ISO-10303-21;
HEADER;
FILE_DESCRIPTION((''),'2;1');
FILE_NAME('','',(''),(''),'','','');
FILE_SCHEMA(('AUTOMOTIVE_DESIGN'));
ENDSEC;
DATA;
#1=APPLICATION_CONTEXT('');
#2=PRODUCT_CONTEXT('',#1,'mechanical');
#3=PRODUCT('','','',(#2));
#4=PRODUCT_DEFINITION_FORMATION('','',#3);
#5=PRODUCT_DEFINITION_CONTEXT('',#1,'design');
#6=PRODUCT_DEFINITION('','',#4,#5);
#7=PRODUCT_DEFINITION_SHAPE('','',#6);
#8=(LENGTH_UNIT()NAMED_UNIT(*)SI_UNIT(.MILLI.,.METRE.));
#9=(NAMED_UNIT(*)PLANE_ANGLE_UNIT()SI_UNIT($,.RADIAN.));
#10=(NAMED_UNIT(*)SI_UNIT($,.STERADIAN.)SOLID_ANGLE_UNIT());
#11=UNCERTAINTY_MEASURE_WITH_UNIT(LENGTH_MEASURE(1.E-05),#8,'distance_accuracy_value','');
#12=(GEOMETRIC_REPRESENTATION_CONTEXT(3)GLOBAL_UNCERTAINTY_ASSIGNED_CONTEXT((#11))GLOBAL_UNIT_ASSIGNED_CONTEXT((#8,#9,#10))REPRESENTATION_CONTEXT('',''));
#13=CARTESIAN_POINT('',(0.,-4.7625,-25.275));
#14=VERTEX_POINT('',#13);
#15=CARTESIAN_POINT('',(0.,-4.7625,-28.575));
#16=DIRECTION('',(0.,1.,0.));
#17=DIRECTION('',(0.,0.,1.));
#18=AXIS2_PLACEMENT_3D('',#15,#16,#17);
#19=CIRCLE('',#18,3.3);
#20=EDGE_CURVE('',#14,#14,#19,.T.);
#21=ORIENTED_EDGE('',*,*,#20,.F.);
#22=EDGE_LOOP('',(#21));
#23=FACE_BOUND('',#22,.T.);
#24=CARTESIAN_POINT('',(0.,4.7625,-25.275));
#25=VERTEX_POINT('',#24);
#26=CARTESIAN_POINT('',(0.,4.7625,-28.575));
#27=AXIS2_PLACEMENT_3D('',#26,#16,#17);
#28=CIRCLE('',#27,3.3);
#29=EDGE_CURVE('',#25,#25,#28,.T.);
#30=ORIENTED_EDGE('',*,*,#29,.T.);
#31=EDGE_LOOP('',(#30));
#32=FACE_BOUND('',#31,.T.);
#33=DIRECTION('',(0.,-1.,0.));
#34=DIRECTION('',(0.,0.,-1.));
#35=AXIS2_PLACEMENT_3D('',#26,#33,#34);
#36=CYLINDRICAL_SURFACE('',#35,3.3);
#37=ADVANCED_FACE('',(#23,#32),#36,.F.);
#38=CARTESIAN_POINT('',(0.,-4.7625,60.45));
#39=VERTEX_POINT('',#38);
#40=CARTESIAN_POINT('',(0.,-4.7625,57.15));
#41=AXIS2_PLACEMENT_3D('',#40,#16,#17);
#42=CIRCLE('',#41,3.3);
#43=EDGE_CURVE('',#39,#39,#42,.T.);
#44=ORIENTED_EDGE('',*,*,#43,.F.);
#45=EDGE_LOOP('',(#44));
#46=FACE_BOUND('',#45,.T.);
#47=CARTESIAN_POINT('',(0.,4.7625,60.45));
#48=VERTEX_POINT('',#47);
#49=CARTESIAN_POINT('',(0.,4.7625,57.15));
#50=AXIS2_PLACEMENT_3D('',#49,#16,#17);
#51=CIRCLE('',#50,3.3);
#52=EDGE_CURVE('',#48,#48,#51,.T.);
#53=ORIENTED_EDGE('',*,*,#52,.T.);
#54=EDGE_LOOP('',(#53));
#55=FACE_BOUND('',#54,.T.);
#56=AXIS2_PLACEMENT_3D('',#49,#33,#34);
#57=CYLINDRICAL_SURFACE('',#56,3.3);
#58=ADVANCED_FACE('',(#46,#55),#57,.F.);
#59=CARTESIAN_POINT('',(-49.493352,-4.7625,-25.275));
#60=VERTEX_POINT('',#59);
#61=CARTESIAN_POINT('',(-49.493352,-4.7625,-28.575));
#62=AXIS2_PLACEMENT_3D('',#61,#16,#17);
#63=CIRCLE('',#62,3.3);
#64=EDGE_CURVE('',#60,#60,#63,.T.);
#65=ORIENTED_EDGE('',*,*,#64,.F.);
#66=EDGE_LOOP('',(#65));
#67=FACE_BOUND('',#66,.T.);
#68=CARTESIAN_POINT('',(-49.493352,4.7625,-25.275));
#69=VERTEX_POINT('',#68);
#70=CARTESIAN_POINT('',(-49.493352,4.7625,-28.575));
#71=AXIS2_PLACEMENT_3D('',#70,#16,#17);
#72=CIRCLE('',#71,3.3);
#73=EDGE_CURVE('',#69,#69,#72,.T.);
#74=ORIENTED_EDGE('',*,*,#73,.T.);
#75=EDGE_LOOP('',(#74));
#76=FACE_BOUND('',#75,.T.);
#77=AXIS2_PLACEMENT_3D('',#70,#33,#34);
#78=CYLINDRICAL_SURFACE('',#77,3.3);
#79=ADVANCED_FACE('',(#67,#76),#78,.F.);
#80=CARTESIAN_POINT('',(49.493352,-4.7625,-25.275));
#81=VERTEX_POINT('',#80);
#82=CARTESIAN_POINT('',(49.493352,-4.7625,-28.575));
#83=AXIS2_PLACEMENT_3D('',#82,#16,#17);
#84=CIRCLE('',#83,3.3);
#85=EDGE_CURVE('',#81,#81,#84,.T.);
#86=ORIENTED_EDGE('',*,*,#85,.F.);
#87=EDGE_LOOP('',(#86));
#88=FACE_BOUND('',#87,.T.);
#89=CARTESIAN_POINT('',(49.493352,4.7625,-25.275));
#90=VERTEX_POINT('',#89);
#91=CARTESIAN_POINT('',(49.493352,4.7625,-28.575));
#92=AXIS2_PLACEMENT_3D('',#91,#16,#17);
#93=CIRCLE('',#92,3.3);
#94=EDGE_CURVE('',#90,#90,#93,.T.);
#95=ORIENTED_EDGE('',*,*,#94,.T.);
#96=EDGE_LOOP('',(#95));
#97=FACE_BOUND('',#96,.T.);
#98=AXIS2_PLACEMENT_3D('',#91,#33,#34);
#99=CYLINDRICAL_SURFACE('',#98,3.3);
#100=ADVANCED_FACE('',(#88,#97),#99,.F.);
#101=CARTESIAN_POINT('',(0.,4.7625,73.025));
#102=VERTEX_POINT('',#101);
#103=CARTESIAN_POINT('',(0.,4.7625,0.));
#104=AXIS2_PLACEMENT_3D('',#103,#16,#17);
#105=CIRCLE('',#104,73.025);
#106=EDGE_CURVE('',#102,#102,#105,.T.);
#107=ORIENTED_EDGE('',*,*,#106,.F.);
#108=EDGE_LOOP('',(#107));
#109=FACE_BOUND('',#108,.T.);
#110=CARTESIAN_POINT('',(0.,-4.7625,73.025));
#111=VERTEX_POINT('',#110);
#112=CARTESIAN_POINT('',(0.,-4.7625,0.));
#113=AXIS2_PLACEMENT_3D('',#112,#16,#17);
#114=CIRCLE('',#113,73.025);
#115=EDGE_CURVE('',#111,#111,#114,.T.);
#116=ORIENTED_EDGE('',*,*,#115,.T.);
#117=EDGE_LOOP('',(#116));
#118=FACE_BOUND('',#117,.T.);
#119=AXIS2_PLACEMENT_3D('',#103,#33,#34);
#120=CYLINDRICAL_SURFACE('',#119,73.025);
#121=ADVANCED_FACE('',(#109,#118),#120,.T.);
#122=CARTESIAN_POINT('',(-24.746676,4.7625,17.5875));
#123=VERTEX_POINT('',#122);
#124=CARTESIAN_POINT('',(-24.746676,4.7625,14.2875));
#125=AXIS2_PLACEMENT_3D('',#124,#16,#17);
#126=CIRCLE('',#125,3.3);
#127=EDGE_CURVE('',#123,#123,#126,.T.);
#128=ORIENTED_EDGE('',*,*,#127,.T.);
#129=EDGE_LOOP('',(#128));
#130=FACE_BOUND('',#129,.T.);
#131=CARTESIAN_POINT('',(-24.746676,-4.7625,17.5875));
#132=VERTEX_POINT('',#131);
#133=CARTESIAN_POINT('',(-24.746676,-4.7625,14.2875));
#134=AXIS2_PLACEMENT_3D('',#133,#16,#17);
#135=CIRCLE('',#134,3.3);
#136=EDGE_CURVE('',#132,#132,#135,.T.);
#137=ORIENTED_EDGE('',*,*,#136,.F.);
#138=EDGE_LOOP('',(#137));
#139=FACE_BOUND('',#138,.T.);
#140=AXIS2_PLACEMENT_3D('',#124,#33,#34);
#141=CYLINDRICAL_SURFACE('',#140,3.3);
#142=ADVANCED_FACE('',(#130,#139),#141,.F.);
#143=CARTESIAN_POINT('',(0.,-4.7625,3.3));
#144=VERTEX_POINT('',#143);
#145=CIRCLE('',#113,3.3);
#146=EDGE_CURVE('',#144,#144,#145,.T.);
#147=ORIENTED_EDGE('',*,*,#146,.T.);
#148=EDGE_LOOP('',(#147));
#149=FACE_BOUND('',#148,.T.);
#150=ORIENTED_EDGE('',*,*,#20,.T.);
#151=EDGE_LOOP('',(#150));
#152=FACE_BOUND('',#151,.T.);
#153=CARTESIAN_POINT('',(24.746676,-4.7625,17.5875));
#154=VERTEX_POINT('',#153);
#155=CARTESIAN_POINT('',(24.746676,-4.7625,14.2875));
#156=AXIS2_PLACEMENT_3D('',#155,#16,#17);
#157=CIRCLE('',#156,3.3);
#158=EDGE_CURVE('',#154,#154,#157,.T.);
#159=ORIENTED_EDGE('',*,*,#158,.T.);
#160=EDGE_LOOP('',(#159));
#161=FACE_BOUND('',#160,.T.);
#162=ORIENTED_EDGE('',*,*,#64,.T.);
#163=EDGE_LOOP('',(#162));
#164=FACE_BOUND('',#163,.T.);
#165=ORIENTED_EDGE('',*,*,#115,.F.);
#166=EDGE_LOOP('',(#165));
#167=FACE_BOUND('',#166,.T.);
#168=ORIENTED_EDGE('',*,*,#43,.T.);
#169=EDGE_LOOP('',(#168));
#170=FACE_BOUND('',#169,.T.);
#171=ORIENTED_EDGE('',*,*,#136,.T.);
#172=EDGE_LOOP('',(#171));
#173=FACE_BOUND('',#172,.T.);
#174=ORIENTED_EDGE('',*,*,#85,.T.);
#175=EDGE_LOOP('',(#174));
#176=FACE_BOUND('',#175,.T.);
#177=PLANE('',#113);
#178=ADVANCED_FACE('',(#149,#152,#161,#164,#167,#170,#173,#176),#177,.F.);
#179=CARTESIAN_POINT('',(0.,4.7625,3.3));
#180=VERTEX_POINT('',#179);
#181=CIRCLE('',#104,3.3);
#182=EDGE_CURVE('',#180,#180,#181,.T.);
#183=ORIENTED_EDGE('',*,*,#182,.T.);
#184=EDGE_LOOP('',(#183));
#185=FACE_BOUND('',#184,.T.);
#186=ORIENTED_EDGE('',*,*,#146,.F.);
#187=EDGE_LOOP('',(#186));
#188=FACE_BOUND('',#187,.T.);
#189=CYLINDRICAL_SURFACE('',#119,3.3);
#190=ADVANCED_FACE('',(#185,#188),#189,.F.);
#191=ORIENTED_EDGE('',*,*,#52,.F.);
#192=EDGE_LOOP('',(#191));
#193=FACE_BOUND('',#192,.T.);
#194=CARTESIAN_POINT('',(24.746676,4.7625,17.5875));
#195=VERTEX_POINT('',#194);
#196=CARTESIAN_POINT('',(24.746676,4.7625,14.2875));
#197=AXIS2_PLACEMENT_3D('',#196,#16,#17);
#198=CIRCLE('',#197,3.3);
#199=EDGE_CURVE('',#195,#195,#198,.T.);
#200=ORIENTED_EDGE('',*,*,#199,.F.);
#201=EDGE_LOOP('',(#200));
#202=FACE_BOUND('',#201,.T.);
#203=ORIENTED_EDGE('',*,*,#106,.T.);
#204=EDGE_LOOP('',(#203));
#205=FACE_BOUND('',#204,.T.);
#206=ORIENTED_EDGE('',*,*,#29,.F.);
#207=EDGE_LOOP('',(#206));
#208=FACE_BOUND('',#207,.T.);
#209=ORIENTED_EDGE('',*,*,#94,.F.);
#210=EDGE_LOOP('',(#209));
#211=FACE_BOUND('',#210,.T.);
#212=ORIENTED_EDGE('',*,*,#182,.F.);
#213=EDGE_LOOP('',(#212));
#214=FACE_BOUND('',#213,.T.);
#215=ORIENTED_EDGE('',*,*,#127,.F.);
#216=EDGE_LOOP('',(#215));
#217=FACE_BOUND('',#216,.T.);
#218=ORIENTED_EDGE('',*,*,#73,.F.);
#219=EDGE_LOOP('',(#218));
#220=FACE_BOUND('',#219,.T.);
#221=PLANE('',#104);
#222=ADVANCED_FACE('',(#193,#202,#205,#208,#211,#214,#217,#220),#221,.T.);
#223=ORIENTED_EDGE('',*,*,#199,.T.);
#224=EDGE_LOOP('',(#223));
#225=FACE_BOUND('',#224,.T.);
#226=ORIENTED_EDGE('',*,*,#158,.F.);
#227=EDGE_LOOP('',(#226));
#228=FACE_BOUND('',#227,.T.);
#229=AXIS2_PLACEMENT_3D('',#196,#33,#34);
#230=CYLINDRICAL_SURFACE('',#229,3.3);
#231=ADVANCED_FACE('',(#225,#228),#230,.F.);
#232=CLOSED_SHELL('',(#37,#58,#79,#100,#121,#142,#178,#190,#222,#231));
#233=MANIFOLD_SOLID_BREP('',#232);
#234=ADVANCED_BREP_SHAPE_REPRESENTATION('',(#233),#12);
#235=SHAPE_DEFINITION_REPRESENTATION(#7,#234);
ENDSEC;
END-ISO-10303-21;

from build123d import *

# Parameters (mm, degrees)
SKETCH1_R           = 73.025
SKETCH1_R_2         = 3.3
BOSS_EXTRUDE1_DEPTH = 4.7625


with BuildPart() as part:
    # Sketch1 → Boss-Extrude1 (new body, symmetric)
    with BuildSketch(Plane(origin=(0, 0, 0), x_dir=(1, 0, 0), z_dir=(0, 1, 0))):
        Circle(SKETCH1_R)
        Circle(SKETCH1_R_2, mode=Mode.SUBTRACT)
        with Locations((0, -57.15)):
            Circle(SKETCH1_R_2, mode=Mode.SUBTRACT)
        with Locations((-49.493351826, 28.575)):
            Circle(SKETCH1_R_2, mode=Mode.SUBTRACT)
        with Locations((49.493351826, 28.575)):
            Circle(SKETCH1_R_2, mode=Mode.SUBTRACT)
        with Locations((24.746675913, -14.2875)):
            Circle(SKETCH1_R_2, mode=Mode.SUBTRACT)
        with Locations((-24.746675913, -14.2875)):
            Circle(SKETCH1_R_2, mode=Mode.SUBTRACT)
        with Locations((0, 28.575)):
            Circle(SKETCH1_R_2, mode=Mode.SUBTRACT)
    extrude(amount=BOSS_EXTRUDE1_DEPTH, both=True)


solid = part.part
